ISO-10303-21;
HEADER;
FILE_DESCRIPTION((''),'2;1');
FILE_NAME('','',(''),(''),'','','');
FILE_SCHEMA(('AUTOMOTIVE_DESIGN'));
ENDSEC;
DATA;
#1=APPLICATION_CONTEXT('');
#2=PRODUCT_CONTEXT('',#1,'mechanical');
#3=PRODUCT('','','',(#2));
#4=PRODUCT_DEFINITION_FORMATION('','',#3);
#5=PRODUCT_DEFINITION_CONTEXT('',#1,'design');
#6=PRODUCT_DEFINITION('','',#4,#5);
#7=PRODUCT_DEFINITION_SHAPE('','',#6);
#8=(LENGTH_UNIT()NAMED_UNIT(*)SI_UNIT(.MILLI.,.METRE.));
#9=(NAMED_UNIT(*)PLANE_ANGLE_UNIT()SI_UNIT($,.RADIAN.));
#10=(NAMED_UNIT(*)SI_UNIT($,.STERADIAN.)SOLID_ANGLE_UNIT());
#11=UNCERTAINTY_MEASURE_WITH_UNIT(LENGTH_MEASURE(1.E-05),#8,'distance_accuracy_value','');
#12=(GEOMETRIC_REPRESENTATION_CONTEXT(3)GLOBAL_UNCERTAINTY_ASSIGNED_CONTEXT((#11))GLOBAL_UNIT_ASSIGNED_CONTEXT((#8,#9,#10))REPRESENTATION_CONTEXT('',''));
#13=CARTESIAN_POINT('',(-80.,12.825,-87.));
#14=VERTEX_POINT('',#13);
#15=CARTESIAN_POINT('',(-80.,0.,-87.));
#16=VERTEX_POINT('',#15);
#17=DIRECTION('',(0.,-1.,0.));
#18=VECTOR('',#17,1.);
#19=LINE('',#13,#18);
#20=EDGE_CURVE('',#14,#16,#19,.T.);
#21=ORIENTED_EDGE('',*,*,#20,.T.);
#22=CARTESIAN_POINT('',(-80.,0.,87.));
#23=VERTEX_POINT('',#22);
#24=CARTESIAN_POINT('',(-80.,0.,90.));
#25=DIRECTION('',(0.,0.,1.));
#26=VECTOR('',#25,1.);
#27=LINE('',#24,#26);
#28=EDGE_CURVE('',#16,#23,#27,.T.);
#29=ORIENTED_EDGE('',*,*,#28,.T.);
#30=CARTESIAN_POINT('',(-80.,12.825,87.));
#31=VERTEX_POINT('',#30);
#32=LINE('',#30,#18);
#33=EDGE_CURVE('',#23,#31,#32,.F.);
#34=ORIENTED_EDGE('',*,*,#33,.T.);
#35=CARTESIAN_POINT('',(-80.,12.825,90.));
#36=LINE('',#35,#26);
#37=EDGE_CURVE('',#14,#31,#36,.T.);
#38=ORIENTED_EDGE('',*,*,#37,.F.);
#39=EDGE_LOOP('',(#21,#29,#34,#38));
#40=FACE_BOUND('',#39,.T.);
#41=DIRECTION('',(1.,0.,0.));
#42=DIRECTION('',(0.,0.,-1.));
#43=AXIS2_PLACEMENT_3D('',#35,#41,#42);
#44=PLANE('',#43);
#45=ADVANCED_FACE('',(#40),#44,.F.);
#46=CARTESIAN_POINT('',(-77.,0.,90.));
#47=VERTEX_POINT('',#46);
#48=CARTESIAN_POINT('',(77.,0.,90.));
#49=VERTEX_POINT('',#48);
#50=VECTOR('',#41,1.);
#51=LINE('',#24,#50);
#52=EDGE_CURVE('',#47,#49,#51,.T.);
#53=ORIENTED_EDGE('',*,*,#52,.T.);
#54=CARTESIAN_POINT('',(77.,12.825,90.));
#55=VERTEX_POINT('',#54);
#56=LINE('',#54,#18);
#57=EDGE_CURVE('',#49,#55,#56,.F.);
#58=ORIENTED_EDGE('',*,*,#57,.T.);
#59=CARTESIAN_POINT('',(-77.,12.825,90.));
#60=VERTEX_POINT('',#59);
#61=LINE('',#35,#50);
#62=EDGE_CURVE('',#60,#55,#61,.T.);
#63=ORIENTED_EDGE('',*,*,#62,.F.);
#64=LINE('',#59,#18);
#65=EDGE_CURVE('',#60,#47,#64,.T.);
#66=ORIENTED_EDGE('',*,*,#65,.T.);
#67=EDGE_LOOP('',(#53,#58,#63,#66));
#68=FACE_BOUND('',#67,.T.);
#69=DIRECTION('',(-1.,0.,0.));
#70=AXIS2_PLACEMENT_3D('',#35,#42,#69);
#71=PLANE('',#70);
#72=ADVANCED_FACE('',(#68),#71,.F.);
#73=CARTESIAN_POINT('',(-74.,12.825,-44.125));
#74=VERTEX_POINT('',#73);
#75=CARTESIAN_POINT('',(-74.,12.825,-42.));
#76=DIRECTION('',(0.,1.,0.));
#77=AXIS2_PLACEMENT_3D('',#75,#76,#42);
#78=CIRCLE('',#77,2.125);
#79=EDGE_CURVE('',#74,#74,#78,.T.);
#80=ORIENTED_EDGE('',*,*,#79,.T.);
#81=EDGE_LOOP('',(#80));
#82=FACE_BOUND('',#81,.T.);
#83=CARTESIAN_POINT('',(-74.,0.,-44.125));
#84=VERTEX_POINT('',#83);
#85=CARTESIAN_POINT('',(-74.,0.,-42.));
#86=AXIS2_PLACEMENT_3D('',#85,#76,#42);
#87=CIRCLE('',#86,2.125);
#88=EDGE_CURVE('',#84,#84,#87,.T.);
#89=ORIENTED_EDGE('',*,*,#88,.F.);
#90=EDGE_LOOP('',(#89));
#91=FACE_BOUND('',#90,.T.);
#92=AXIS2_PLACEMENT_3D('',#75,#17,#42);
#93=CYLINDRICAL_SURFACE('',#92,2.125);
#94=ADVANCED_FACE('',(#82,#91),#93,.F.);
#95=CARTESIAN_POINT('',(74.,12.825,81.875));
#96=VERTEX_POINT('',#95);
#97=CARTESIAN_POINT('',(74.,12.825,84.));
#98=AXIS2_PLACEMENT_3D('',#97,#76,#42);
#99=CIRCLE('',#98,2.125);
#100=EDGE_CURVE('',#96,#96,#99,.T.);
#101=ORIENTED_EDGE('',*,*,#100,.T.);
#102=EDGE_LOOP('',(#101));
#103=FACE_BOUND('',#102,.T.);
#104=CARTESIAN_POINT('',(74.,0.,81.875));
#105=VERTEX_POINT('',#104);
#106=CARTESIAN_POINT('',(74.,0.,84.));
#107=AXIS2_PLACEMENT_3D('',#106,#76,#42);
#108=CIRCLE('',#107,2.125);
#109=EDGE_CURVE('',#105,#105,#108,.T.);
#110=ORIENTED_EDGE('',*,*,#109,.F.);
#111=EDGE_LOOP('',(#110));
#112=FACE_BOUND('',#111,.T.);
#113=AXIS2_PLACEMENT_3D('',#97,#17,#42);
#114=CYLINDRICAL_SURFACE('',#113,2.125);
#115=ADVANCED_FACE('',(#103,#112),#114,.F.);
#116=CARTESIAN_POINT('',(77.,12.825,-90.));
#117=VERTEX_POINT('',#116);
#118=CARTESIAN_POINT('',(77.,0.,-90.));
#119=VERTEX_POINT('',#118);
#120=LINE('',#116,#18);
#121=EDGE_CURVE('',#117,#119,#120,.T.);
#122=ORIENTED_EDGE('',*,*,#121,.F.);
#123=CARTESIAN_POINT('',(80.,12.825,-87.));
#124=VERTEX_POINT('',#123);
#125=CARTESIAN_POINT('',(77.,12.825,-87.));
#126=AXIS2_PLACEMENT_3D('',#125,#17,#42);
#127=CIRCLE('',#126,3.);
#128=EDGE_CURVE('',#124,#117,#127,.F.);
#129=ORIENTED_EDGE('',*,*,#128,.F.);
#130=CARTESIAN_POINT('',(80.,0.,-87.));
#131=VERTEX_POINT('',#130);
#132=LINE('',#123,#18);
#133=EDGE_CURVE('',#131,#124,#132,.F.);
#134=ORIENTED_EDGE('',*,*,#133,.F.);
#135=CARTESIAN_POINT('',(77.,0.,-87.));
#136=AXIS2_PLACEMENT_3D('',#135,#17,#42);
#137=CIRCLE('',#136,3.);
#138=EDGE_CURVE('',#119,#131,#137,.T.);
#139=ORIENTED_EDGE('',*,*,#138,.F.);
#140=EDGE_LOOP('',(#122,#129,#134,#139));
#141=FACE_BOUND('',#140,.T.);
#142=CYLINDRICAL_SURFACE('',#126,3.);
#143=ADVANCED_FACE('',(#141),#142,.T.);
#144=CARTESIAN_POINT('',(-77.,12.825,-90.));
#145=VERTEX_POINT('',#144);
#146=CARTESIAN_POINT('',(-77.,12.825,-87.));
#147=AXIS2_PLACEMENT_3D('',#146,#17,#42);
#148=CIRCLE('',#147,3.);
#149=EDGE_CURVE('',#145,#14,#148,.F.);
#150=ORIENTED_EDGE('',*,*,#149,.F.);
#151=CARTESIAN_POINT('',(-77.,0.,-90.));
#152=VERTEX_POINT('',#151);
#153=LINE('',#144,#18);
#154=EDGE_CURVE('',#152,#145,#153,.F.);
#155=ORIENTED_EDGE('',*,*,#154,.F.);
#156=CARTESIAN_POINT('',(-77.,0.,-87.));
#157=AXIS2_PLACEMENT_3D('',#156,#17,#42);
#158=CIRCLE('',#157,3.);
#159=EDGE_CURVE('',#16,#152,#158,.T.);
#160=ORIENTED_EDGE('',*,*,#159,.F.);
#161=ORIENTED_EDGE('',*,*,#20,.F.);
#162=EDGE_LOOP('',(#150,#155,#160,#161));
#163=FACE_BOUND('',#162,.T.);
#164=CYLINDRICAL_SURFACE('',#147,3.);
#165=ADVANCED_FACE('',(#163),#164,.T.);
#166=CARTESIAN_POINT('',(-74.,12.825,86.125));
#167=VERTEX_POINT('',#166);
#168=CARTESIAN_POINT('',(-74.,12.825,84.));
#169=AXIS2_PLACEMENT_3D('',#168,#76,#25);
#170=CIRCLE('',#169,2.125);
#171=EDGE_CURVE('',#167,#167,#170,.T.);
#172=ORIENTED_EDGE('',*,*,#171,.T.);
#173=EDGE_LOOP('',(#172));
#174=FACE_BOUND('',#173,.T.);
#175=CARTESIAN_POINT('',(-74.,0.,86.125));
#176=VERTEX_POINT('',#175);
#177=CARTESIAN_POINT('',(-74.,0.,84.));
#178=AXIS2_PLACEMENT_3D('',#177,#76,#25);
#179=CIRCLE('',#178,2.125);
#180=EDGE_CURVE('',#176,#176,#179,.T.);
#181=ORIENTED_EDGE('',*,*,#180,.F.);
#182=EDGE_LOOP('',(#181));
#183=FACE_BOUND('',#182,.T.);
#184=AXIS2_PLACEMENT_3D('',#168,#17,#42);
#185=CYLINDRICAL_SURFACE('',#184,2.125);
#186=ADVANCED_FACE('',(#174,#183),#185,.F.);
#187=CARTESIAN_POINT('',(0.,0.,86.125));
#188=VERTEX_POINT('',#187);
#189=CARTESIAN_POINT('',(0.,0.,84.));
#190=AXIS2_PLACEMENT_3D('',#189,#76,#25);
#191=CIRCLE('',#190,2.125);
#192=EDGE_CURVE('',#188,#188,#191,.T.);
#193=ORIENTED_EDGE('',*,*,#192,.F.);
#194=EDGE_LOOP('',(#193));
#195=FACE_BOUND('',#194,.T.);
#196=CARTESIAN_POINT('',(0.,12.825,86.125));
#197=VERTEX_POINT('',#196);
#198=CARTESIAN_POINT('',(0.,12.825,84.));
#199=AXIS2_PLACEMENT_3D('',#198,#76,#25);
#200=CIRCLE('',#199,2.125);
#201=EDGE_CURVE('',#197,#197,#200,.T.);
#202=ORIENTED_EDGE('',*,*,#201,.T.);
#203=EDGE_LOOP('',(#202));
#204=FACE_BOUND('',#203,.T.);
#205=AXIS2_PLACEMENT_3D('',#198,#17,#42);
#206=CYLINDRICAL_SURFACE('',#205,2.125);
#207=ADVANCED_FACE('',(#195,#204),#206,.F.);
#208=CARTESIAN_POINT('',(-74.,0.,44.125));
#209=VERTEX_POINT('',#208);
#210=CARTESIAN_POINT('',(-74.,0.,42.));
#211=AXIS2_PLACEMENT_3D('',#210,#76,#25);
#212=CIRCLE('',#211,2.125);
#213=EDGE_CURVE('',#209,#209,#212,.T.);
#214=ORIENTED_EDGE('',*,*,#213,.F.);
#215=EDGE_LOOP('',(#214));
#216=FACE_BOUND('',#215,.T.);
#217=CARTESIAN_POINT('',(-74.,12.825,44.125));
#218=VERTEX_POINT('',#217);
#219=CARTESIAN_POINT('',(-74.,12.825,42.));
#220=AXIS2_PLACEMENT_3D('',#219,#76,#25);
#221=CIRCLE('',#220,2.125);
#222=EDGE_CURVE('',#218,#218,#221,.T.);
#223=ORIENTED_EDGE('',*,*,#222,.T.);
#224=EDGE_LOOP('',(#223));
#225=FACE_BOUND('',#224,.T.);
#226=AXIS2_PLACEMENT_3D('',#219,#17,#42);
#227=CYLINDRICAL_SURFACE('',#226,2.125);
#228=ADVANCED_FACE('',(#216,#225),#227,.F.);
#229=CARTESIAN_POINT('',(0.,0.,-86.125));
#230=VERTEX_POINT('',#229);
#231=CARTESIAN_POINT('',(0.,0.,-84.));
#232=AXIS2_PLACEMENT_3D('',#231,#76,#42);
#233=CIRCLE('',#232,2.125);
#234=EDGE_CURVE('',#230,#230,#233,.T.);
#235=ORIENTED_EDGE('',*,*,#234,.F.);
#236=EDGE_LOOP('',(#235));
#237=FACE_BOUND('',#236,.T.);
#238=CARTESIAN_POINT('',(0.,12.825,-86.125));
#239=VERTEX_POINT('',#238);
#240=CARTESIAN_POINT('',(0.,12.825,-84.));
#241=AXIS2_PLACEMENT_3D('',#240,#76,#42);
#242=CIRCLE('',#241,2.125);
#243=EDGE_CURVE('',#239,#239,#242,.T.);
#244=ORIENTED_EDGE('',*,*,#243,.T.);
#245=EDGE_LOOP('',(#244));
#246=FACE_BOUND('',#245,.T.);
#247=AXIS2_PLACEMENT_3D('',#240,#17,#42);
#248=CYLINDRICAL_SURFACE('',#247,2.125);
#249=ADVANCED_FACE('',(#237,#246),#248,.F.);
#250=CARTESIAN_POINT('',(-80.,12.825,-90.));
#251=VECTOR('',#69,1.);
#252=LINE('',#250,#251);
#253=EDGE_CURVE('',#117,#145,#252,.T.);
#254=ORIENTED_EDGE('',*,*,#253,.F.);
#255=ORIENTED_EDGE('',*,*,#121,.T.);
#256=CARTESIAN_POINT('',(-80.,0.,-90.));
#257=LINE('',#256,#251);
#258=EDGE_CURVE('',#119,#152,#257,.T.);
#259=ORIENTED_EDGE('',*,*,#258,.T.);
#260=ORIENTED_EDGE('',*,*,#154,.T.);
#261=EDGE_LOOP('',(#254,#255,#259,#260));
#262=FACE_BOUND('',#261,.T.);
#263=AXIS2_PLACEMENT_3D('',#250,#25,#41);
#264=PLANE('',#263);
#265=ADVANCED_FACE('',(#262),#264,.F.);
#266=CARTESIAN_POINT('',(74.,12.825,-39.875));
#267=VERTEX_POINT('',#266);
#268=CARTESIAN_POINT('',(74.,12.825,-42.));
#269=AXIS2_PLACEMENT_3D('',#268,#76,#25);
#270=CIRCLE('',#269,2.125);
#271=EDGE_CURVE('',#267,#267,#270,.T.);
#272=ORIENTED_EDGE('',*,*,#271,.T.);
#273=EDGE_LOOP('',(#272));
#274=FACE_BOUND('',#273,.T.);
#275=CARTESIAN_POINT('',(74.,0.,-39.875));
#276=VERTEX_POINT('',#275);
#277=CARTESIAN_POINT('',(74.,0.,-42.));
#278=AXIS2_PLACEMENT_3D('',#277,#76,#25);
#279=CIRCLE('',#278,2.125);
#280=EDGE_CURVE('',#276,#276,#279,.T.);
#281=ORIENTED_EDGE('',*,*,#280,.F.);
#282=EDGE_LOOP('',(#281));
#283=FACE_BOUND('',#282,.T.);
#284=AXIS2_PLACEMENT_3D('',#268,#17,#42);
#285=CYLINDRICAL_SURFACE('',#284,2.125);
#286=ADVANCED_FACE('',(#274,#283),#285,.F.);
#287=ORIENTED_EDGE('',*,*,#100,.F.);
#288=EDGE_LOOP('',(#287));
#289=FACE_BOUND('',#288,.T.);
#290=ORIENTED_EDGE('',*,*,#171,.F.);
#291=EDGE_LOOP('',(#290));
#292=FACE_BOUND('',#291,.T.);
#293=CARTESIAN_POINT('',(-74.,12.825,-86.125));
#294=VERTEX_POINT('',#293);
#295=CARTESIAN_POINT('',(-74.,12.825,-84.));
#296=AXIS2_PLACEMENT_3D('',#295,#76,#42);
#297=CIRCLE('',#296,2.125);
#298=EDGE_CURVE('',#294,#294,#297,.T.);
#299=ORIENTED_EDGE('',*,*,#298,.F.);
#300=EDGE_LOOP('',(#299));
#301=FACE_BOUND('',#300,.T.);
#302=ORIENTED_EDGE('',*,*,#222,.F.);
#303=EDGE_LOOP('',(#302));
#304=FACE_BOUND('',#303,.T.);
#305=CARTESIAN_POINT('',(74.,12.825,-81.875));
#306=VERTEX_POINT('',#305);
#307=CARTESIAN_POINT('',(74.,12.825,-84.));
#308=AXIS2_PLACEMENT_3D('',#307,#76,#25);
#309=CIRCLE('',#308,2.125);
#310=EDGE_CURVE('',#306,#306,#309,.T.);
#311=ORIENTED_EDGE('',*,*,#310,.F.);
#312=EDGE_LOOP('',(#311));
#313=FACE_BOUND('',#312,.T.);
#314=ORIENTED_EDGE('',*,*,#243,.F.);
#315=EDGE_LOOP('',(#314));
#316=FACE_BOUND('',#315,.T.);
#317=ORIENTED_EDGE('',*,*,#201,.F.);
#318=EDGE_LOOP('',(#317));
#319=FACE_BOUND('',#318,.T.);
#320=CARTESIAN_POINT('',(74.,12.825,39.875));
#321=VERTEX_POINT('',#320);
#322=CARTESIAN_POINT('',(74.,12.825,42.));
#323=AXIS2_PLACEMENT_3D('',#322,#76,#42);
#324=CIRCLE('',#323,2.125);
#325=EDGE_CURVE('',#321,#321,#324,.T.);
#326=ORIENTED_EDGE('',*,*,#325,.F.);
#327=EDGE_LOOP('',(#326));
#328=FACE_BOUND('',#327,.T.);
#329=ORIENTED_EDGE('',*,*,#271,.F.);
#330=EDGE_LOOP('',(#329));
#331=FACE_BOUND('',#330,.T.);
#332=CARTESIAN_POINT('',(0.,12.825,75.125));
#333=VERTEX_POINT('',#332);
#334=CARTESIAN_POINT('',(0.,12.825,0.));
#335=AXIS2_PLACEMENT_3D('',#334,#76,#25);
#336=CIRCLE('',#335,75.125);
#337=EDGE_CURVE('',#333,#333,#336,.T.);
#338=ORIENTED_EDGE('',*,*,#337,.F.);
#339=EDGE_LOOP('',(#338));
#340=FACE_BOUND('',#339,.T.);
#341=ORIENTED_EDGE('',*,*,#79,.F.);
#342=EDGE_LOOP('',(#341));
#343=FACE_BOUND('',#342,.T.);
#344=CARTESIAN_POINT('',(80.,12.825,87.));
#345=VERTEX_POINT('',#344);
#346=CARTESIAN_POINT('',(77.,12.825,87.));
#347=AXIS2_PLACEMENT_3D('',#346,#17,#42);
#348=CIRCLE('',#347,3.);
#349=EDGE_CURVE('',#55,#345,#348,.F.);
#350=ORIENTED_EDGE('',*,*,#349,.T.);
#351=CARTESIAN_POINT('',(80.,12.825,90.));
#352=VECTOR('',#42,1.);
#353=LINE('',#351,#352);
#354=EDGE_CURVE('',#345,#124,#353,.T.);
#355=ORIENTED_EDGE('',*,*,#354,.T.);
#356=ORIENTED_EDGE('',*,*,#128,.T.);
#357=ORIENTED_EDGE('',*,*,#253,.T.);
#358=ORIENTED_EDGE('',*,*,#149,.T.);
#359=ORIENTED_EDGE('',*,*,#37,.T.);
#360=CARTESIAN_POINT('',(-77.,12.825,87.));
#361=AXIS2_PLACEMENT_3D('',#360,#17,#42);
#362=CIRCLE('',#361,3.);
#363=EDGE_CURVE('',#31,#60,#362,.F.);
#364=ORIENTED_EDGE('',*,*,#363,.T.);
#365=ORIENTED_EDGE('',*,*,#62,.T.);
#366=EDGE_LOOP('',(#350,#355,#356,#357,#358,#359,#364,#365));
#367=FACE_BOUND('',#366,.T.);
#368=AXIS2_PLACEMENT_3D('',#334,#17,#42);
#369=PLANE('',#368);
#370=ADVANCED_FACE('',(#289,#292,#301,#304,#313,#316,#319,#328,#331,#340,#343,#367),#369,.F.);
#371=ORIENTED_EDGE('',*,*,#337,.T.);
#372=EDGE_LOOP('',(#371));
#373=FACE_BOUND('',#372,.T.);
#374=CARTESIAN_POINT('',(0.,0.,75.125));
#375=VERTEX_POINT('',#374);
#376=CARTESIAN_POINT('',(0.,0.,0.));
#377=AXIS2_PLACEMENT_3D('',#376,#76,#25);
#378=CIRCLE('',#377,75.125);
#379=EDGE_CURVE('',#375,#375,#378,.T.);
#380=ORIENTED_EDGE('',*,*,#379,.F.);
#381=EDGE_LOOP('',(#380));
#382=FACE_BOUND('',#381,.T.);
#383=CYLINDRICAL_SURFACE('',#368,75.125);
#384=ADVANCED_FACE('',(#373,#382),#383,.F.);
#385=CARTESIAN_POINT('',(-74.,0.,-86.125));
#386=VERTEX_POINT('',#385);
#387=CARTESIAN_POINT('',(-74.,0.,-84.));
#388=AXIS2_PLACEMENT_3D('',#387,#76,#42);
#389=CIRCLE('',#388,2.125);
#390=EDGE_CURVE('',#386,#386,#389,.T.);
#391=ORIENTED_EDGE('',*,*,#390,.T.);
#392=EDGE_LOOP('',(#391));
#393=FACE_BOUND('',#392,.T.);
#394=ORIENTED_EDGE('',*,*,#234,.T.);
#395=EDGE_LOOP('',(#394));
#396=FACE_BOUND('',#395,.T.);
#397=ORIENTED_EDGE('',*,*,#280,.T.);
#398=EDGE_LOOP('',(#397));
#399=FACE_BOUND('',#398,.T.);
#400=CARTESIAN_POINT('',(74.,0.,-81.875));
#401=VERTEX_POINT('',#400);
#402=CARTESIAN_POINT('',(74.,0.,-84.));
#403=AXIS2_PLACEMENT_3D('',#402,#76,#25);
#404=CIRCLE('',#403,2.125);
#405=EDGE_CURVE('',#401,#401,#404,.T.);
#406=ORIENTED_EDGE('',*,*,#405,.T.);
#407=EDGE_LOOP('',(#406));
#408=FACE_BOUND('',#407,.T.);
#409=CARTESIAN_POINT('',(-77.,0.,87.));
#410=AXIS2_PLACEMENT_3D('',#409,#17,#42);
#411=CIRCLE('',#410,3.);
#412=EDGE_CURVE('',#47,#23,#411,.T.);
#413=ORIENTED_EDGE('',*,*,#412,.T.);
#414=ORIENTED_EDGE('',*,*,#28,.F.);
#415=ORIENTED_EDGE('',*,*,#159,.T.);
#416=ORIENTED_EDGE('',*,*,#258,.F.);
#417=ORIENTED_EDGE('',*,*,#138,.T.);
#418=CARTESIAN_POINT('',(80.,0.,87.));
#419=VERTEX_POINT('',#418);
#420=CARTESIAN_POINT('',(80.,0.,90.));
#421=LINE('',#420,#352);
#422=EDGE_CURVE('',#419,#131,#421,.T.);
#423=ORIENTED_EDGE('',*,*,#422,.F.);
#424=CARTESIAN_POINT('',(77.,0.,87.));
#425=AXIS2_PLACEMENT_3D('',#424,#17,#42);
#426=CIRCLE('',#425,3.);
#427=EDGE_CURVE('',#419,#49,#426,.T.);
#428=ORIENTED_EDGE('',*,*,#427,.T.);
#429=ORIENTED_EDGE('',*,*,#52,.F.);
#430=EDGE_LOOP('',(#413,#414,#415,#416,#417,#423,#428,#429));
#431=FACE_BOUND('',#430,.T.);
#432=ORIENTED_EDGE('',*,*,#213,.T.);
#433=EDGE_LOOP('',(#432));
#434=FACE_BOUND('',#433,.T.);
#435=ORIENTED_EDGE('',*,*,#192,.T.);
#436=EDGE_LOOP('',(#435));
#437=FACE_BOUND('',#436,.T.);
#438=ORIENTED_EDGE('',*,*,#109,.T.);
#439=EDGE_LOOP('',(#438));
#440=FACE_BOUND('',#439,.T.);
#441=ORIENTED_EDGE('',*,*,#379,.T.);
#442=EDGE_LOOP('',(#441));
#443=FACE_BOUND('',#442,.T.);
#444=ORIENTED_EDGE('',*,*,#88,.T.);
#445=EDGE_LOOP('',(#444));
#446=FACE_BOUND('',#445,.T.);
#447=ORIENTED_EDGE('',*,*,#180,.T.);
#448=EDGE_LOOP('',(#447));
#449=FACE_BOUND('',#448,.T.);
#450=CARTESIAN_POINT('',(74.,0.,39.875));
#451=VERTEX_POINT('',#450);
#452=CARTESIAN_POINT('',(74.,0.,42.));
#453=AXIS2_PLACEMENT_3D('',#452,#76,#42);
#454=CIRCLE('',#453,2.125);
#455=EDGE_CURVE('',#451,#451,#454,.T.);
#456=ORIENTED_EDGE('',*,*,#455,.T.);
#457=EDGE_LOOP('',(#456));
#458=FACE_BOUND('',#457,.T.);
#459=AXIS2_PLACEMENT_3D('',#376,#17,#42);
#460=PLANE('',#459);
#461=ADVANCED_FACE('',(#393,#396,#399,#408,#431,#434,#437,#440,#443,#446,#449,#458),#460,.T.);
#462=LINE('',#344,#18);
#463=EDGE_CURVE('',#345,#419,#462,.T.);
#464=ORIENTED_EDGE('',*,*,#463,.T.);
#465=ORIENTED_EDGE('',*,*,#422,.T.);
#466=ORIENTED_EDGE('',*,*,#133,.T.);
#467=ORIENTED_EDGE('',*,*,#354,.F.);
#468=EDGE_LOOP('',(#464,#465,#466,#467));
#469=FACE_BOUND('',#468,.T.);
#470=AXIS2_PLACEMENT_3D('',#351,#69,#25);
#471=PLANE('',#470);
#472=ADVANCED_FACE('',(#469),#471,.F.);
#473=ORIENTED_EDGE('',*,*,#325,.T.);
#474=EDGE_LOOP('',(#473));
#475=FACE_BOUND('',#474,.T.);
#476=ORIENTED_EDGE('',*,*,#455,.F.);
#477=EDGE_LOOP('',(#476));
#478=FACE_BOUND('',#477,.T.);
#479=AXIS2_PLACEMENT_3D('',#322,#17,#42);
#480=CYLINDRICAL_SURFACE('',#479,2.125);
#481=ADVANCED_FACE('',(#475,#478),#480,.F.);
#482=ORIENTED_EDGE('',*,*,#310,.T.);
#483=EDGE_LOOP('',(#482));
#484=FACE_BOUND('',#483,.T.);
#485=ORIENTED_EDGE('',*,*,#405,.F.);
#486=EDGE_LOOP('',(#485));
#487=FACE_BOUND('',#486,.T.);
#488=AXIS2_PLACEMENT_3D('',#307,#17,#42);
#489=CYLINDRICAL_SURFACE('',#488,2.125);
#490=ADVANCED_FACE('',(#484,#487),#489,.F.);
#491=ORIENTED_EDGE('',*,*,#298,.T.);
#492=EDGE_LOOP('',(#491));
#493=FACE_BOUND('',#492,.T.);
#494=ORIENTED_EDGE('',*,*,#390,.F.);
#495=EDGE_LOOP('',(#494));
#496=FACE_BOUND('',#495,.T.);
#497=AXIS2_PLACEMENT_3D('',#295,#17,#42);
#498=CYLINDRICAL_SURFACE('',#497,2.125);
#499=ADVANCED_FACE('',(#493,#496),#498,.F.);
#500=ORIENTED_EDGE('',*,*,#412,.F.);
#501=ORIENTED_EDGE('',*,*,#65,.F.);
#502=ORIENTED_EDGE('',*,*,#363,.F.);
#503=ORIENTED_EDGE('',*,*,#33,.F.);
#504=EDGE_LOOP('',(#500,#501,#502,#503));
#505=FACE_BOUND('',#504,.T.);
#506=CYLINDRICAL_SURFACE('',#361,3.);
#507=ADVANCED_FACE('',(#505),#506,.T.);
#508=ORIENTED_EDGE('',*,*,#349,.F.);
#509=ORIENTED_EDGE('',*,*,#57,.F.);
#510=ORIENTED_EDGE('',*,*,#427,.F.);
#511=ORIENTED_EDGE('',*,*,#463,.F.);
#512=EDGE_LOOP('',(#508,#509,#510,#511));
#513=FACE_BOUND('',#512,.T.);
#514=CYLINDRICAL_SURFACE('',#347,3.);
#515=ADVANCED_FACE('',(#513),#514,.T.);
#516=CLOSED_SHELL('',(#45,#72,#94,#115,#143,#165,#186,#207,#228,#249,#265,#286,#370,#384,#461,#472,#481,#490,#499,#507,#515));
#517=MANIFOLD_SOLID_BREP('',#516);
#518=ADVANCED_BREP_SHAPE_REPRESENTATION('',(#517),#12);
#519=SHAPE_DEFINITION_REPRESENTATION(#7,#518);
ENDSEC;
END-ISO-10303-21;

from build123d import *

# Parameters (mm, degrees)
SKETCH1_W           = 160
SKETCH1_H           = 180
SKETCH1_R           = 75.125
SKETCH1_R_2         = 2.125
BOSS_EXTRUDE1_DEPTH = 12.825
FILLET1_R           = 3


with BuildPart() as part:
    # Sketch1 → Boss-Extrude1 (new body)
    with BuildSketch(Plane(origin=(0, 0, 0), x_dir=(1, 0, 0), z_dir=(0, 1, 0))):
        Rectangle(SKETCH1_W, SKETCH1_H)
        with Locations(Location((0, 0, 0), (0, 0, 270))):
            Circle(SKETCH1_R, mode=Mode.SUBTRACT)
        with Locations(Location((-74, -84, 0), (0, 0, 270))):
            Circle(SKETCH1_R_2, mode=Mode.SUBTRACT)
        with Locations(Location((-74, -42, 0), (0, 0, 270))):
            Circle(SKETCH1_R_2, mode=Mode.SUBTRACT)
        with Locations(Location((-74, 84, 0), (0, 0, 90))):
            Circle(SKETCH1_R_2, mode=Mode.SUBTRACT)
        with Locations(Location((74, -84, 0), (0, 0, 90))):
            Circle(SKETCH1_R_2, mode=Mode.SUBTRACT)
        with Locations(Location((74, -42, 0), (0, 0, 90))):
            Circle(SKETCH1_R_2, mode=Mode.SUBTRACT)
        with Locations(Location((74, 84, 0), (0, 0, 270))):
            Circle(SKETCH1_R_2, mode=Mode.SUBTRACT)
        with Locations(Location((0, -84, 0), (0, 0, 270))):
            Circle(SKETCH1_R_2, mode=Mode.SUBTRACT)
        with Locations(Location((0, 84, 0), (0, 0, 90))):
            Circle(SKETCH1_R_2, mode=Mode.SUBTRACT)
        with Locations(Location((74, 42, 0), (0, 0, 270))):
            Circle(SKETCH1_R_2, mode=Mode.SUBTRACT)
        with Locations(Location((-74, 42, 0), (0, 0, 90))):
            Circle(SKETCH1_R_2, mode=Mode.SUBTRACT)
    extrude(amount=BOSS_EXTRUDE1_DEPTH)

    # Fillet1
    fillet1_edges = [part.edges().sort_by_distance(p)[0] for p in [
        (80, 6.4125, 90),
        (-80, 6.4125, 90),
        (-80, 6.4125, -90),
        (80, 6.4125, -90),
    ]]
    fillet(fillet1_edges, radius=FILLET1_R)


solid = part.part
